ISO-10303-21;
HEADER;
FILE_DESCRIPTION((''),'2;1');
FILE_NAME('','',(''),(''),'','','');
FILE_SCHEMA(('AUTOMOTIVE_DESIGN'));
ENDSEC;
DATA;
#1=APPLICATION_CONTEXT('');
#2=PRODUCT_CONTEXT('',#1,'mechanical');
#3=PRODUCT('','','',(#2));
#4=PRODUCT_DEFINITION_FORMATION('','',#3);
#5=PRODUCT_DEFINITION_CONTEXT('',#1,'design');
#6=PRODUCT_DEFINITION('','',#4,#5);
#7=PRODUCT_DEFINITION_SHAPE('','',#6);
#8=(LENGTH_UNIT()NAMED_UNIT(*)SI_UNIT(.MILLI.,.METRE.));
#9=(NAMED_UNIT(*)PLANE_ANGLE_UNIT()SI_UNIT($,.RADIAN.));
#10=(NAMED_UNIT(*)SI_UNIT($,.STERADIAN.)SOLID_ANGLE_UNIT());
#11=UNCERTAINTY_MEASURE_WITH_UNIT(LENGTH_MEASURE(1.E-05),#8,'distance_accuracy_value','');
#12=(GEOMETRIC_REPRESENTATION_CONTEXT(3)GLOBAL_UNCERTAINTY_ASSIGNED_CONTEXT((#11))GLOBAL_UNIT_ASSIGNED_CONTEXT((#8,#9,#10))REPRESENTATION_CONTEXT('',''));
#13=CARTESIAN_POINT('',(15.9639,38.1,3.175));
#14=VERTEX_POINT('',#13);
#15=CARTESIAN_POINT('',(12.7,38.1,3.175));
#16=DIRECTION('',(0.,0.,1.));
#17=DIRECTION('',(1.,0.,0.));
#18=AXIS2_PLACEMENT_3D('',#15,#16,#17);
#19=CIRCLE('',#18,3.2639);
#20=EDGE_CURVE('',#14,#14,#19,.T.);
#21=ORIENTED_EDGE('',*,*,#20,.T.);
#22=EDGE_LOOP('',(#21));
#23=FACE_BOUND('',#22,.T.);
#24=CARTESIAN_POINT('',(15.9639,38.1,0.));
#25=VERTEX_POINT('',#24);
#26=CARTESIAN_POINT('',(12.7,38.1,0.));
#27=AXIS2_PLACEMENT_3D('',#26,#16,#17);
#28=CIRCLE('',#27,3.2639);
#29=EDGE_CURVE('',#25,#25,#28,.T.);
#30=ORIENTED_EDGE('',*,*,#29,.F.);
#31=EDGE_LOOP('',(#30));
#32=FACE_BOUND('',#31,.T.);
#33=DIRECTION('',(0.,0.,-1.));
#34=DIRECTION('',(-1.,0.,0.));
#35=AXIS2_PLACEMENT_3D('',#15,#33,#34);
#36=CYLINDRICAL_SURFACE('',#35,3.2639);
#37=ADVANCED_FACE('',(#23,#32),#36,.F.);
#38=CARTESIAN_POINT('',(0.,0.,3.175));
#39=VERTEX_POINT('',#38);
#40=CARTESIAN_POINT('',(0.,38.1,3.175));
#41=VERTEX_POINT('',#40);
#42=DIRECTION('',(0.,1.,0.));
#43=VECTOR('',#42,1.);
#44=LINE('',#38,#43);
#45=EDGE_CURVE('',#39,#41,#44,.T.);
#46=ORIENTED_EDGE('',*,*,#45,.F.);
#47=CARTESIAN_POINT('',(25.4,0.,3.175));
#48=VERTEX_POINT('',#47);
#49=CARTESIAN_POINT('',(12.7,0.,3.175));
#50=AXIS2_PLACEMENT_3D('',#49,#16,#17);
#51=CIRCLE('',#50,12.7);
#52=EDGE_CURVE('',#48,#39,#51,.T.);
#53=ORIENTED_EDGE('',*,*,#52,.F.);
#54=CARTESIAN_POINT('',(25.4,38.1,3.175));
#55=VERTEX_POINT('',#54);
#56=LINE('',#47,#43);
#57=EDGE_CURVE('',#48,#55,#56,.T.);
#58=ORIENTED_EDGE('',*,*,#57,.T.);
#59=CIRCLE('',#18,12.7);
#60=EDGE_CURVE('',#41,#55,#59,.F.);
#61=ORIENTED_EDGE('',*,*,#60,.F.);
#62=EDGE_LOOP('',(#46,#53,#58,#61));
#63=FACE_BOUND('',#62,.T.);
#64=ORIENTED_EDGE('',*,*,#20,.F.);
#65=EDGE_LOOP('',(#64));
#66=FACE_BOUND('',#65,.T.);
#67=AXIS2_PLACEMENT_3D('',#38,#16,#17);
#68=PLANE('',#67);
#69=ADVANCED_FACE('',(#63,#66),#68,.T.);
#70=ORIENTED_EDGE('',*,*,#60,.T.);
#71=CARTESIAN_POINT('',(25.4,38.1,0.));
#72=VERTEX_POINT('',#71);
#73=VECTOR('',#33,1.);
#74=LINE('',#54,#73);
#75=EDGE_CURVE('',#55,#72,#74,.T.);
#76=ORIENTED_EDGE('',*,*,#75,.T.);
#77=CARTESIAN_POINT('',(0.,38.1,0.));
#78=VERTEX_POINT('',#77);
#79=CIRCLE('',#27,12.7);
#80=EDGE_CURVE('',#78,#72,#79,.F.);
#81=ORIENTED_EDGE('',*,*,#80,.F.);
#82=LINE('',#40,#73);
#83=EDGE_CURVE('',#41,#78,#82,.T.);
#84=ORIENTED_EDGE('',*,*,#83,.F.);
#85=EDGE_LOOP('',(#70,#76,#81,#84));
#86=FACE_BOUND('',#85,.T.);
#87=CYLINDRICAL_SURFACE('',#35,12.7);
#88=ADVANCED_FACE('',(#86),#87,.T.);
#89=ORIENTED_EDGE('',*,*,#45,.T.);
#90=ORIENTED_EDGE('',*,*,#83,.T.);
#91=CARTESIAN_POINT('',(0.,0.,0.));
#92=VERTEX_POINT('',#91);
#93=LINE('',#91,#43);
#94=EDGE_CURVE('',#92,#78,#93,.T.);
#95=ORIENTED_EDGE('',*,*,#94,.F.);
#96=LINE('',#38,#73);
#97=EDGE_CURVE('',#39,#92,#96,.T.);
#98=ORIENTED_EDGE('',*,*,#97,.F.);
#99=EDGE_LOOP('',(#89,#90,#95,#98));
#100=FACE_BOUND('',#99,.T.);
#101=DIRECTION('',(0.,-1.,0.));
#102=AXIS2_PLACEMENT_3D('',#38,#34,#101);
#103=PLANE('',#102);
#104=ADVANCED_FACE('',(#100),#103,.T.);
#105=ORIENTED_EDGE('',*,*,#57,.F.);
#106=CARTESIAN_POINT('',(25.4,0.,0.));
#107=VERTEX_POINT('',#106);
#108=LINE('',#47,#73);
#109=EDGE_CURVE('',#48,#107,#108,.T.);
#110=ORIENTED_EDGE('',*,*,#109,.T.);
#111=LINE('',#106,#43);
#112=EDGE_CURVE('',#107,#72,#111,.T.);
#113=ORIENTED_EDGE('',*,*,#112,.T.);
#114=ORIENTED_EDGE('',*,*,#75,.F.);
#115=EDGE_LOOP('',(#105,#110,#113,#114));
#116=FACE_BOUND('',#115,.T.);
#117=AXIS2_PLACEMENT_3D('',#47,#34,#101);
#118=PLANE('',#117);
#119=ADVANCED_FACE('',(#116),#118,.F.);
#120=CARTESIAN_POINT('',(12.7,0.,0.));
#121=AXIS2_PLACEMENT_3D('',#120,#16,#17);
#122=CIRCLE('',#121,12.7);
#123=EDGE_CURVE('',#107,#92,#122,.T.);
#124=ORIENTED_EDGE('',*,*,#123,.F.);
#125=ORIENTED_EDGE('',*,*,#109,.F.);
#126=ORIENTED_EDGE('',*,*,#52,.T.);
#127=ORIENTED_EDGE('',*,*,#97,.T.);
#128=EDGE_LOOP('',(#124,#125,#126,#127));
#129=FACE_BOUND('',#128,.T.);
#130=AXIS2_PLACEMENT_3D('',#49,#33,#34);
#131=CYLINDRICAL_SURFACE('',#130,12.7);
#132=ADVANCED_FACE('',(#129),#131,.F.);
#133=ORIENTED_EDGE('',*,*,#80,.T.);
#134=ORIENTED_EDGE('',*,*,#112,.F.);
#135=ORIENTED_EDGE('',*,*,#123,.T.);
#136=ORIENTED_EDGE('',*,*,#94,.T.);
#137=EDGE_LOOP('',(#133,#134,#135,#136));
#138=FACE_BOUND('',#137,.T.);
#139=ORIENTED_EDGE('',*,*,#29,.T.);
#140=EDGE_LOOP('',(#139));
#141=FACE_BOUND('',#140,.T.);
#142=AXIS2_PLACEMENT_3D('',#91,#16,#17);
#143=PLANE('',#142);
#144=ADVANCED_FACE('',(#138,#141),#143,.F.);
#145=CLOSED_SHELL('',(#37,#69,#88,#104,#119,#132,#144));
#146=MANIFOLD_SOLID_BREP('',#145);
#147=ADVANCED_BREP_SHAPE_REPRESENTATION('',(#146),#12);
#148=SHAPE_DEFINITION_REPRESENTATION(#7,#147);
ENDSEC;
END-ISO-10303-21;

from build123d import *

# Parameters (mm, degrees)
BOSS_EXTRUDE1_DEPTH = 3.175


with BuildPart() as part:
    # Sketch1 → Boss-Extrude1 (new body)
    with BuildSketch(Plane.XY):
        with BuildLine():
            Line((0, 38.1), (0, 0))
            ThreePointArc((0, 0), (3.719743879, 8.980256121), (12.7, 12.7))
            ThreePointArc((12.7, 12.7), (21.680256121, 8.980256121), (25.4, 0))
            Line((25.4, 0), (25.4, 38.1))
            ThreePointArc((25.4, 38.1), (12.7, 50.8), (0, 38.1))
        make_face()
        with BuildLine():
            ThreePointArc((15.9639, 38.1), (15.007925823, 35.792074177), (12.7, 34.8361))
            ThreePointArc((12.7, 34.8361), (10.392074177, 40.407925823), (15.9639, 38.1))
        make_face(mode=Mode.SUBTRACT)
    extrude(amount=BOSS_EXTRUDE1_DEPTH)


solid = part.part
